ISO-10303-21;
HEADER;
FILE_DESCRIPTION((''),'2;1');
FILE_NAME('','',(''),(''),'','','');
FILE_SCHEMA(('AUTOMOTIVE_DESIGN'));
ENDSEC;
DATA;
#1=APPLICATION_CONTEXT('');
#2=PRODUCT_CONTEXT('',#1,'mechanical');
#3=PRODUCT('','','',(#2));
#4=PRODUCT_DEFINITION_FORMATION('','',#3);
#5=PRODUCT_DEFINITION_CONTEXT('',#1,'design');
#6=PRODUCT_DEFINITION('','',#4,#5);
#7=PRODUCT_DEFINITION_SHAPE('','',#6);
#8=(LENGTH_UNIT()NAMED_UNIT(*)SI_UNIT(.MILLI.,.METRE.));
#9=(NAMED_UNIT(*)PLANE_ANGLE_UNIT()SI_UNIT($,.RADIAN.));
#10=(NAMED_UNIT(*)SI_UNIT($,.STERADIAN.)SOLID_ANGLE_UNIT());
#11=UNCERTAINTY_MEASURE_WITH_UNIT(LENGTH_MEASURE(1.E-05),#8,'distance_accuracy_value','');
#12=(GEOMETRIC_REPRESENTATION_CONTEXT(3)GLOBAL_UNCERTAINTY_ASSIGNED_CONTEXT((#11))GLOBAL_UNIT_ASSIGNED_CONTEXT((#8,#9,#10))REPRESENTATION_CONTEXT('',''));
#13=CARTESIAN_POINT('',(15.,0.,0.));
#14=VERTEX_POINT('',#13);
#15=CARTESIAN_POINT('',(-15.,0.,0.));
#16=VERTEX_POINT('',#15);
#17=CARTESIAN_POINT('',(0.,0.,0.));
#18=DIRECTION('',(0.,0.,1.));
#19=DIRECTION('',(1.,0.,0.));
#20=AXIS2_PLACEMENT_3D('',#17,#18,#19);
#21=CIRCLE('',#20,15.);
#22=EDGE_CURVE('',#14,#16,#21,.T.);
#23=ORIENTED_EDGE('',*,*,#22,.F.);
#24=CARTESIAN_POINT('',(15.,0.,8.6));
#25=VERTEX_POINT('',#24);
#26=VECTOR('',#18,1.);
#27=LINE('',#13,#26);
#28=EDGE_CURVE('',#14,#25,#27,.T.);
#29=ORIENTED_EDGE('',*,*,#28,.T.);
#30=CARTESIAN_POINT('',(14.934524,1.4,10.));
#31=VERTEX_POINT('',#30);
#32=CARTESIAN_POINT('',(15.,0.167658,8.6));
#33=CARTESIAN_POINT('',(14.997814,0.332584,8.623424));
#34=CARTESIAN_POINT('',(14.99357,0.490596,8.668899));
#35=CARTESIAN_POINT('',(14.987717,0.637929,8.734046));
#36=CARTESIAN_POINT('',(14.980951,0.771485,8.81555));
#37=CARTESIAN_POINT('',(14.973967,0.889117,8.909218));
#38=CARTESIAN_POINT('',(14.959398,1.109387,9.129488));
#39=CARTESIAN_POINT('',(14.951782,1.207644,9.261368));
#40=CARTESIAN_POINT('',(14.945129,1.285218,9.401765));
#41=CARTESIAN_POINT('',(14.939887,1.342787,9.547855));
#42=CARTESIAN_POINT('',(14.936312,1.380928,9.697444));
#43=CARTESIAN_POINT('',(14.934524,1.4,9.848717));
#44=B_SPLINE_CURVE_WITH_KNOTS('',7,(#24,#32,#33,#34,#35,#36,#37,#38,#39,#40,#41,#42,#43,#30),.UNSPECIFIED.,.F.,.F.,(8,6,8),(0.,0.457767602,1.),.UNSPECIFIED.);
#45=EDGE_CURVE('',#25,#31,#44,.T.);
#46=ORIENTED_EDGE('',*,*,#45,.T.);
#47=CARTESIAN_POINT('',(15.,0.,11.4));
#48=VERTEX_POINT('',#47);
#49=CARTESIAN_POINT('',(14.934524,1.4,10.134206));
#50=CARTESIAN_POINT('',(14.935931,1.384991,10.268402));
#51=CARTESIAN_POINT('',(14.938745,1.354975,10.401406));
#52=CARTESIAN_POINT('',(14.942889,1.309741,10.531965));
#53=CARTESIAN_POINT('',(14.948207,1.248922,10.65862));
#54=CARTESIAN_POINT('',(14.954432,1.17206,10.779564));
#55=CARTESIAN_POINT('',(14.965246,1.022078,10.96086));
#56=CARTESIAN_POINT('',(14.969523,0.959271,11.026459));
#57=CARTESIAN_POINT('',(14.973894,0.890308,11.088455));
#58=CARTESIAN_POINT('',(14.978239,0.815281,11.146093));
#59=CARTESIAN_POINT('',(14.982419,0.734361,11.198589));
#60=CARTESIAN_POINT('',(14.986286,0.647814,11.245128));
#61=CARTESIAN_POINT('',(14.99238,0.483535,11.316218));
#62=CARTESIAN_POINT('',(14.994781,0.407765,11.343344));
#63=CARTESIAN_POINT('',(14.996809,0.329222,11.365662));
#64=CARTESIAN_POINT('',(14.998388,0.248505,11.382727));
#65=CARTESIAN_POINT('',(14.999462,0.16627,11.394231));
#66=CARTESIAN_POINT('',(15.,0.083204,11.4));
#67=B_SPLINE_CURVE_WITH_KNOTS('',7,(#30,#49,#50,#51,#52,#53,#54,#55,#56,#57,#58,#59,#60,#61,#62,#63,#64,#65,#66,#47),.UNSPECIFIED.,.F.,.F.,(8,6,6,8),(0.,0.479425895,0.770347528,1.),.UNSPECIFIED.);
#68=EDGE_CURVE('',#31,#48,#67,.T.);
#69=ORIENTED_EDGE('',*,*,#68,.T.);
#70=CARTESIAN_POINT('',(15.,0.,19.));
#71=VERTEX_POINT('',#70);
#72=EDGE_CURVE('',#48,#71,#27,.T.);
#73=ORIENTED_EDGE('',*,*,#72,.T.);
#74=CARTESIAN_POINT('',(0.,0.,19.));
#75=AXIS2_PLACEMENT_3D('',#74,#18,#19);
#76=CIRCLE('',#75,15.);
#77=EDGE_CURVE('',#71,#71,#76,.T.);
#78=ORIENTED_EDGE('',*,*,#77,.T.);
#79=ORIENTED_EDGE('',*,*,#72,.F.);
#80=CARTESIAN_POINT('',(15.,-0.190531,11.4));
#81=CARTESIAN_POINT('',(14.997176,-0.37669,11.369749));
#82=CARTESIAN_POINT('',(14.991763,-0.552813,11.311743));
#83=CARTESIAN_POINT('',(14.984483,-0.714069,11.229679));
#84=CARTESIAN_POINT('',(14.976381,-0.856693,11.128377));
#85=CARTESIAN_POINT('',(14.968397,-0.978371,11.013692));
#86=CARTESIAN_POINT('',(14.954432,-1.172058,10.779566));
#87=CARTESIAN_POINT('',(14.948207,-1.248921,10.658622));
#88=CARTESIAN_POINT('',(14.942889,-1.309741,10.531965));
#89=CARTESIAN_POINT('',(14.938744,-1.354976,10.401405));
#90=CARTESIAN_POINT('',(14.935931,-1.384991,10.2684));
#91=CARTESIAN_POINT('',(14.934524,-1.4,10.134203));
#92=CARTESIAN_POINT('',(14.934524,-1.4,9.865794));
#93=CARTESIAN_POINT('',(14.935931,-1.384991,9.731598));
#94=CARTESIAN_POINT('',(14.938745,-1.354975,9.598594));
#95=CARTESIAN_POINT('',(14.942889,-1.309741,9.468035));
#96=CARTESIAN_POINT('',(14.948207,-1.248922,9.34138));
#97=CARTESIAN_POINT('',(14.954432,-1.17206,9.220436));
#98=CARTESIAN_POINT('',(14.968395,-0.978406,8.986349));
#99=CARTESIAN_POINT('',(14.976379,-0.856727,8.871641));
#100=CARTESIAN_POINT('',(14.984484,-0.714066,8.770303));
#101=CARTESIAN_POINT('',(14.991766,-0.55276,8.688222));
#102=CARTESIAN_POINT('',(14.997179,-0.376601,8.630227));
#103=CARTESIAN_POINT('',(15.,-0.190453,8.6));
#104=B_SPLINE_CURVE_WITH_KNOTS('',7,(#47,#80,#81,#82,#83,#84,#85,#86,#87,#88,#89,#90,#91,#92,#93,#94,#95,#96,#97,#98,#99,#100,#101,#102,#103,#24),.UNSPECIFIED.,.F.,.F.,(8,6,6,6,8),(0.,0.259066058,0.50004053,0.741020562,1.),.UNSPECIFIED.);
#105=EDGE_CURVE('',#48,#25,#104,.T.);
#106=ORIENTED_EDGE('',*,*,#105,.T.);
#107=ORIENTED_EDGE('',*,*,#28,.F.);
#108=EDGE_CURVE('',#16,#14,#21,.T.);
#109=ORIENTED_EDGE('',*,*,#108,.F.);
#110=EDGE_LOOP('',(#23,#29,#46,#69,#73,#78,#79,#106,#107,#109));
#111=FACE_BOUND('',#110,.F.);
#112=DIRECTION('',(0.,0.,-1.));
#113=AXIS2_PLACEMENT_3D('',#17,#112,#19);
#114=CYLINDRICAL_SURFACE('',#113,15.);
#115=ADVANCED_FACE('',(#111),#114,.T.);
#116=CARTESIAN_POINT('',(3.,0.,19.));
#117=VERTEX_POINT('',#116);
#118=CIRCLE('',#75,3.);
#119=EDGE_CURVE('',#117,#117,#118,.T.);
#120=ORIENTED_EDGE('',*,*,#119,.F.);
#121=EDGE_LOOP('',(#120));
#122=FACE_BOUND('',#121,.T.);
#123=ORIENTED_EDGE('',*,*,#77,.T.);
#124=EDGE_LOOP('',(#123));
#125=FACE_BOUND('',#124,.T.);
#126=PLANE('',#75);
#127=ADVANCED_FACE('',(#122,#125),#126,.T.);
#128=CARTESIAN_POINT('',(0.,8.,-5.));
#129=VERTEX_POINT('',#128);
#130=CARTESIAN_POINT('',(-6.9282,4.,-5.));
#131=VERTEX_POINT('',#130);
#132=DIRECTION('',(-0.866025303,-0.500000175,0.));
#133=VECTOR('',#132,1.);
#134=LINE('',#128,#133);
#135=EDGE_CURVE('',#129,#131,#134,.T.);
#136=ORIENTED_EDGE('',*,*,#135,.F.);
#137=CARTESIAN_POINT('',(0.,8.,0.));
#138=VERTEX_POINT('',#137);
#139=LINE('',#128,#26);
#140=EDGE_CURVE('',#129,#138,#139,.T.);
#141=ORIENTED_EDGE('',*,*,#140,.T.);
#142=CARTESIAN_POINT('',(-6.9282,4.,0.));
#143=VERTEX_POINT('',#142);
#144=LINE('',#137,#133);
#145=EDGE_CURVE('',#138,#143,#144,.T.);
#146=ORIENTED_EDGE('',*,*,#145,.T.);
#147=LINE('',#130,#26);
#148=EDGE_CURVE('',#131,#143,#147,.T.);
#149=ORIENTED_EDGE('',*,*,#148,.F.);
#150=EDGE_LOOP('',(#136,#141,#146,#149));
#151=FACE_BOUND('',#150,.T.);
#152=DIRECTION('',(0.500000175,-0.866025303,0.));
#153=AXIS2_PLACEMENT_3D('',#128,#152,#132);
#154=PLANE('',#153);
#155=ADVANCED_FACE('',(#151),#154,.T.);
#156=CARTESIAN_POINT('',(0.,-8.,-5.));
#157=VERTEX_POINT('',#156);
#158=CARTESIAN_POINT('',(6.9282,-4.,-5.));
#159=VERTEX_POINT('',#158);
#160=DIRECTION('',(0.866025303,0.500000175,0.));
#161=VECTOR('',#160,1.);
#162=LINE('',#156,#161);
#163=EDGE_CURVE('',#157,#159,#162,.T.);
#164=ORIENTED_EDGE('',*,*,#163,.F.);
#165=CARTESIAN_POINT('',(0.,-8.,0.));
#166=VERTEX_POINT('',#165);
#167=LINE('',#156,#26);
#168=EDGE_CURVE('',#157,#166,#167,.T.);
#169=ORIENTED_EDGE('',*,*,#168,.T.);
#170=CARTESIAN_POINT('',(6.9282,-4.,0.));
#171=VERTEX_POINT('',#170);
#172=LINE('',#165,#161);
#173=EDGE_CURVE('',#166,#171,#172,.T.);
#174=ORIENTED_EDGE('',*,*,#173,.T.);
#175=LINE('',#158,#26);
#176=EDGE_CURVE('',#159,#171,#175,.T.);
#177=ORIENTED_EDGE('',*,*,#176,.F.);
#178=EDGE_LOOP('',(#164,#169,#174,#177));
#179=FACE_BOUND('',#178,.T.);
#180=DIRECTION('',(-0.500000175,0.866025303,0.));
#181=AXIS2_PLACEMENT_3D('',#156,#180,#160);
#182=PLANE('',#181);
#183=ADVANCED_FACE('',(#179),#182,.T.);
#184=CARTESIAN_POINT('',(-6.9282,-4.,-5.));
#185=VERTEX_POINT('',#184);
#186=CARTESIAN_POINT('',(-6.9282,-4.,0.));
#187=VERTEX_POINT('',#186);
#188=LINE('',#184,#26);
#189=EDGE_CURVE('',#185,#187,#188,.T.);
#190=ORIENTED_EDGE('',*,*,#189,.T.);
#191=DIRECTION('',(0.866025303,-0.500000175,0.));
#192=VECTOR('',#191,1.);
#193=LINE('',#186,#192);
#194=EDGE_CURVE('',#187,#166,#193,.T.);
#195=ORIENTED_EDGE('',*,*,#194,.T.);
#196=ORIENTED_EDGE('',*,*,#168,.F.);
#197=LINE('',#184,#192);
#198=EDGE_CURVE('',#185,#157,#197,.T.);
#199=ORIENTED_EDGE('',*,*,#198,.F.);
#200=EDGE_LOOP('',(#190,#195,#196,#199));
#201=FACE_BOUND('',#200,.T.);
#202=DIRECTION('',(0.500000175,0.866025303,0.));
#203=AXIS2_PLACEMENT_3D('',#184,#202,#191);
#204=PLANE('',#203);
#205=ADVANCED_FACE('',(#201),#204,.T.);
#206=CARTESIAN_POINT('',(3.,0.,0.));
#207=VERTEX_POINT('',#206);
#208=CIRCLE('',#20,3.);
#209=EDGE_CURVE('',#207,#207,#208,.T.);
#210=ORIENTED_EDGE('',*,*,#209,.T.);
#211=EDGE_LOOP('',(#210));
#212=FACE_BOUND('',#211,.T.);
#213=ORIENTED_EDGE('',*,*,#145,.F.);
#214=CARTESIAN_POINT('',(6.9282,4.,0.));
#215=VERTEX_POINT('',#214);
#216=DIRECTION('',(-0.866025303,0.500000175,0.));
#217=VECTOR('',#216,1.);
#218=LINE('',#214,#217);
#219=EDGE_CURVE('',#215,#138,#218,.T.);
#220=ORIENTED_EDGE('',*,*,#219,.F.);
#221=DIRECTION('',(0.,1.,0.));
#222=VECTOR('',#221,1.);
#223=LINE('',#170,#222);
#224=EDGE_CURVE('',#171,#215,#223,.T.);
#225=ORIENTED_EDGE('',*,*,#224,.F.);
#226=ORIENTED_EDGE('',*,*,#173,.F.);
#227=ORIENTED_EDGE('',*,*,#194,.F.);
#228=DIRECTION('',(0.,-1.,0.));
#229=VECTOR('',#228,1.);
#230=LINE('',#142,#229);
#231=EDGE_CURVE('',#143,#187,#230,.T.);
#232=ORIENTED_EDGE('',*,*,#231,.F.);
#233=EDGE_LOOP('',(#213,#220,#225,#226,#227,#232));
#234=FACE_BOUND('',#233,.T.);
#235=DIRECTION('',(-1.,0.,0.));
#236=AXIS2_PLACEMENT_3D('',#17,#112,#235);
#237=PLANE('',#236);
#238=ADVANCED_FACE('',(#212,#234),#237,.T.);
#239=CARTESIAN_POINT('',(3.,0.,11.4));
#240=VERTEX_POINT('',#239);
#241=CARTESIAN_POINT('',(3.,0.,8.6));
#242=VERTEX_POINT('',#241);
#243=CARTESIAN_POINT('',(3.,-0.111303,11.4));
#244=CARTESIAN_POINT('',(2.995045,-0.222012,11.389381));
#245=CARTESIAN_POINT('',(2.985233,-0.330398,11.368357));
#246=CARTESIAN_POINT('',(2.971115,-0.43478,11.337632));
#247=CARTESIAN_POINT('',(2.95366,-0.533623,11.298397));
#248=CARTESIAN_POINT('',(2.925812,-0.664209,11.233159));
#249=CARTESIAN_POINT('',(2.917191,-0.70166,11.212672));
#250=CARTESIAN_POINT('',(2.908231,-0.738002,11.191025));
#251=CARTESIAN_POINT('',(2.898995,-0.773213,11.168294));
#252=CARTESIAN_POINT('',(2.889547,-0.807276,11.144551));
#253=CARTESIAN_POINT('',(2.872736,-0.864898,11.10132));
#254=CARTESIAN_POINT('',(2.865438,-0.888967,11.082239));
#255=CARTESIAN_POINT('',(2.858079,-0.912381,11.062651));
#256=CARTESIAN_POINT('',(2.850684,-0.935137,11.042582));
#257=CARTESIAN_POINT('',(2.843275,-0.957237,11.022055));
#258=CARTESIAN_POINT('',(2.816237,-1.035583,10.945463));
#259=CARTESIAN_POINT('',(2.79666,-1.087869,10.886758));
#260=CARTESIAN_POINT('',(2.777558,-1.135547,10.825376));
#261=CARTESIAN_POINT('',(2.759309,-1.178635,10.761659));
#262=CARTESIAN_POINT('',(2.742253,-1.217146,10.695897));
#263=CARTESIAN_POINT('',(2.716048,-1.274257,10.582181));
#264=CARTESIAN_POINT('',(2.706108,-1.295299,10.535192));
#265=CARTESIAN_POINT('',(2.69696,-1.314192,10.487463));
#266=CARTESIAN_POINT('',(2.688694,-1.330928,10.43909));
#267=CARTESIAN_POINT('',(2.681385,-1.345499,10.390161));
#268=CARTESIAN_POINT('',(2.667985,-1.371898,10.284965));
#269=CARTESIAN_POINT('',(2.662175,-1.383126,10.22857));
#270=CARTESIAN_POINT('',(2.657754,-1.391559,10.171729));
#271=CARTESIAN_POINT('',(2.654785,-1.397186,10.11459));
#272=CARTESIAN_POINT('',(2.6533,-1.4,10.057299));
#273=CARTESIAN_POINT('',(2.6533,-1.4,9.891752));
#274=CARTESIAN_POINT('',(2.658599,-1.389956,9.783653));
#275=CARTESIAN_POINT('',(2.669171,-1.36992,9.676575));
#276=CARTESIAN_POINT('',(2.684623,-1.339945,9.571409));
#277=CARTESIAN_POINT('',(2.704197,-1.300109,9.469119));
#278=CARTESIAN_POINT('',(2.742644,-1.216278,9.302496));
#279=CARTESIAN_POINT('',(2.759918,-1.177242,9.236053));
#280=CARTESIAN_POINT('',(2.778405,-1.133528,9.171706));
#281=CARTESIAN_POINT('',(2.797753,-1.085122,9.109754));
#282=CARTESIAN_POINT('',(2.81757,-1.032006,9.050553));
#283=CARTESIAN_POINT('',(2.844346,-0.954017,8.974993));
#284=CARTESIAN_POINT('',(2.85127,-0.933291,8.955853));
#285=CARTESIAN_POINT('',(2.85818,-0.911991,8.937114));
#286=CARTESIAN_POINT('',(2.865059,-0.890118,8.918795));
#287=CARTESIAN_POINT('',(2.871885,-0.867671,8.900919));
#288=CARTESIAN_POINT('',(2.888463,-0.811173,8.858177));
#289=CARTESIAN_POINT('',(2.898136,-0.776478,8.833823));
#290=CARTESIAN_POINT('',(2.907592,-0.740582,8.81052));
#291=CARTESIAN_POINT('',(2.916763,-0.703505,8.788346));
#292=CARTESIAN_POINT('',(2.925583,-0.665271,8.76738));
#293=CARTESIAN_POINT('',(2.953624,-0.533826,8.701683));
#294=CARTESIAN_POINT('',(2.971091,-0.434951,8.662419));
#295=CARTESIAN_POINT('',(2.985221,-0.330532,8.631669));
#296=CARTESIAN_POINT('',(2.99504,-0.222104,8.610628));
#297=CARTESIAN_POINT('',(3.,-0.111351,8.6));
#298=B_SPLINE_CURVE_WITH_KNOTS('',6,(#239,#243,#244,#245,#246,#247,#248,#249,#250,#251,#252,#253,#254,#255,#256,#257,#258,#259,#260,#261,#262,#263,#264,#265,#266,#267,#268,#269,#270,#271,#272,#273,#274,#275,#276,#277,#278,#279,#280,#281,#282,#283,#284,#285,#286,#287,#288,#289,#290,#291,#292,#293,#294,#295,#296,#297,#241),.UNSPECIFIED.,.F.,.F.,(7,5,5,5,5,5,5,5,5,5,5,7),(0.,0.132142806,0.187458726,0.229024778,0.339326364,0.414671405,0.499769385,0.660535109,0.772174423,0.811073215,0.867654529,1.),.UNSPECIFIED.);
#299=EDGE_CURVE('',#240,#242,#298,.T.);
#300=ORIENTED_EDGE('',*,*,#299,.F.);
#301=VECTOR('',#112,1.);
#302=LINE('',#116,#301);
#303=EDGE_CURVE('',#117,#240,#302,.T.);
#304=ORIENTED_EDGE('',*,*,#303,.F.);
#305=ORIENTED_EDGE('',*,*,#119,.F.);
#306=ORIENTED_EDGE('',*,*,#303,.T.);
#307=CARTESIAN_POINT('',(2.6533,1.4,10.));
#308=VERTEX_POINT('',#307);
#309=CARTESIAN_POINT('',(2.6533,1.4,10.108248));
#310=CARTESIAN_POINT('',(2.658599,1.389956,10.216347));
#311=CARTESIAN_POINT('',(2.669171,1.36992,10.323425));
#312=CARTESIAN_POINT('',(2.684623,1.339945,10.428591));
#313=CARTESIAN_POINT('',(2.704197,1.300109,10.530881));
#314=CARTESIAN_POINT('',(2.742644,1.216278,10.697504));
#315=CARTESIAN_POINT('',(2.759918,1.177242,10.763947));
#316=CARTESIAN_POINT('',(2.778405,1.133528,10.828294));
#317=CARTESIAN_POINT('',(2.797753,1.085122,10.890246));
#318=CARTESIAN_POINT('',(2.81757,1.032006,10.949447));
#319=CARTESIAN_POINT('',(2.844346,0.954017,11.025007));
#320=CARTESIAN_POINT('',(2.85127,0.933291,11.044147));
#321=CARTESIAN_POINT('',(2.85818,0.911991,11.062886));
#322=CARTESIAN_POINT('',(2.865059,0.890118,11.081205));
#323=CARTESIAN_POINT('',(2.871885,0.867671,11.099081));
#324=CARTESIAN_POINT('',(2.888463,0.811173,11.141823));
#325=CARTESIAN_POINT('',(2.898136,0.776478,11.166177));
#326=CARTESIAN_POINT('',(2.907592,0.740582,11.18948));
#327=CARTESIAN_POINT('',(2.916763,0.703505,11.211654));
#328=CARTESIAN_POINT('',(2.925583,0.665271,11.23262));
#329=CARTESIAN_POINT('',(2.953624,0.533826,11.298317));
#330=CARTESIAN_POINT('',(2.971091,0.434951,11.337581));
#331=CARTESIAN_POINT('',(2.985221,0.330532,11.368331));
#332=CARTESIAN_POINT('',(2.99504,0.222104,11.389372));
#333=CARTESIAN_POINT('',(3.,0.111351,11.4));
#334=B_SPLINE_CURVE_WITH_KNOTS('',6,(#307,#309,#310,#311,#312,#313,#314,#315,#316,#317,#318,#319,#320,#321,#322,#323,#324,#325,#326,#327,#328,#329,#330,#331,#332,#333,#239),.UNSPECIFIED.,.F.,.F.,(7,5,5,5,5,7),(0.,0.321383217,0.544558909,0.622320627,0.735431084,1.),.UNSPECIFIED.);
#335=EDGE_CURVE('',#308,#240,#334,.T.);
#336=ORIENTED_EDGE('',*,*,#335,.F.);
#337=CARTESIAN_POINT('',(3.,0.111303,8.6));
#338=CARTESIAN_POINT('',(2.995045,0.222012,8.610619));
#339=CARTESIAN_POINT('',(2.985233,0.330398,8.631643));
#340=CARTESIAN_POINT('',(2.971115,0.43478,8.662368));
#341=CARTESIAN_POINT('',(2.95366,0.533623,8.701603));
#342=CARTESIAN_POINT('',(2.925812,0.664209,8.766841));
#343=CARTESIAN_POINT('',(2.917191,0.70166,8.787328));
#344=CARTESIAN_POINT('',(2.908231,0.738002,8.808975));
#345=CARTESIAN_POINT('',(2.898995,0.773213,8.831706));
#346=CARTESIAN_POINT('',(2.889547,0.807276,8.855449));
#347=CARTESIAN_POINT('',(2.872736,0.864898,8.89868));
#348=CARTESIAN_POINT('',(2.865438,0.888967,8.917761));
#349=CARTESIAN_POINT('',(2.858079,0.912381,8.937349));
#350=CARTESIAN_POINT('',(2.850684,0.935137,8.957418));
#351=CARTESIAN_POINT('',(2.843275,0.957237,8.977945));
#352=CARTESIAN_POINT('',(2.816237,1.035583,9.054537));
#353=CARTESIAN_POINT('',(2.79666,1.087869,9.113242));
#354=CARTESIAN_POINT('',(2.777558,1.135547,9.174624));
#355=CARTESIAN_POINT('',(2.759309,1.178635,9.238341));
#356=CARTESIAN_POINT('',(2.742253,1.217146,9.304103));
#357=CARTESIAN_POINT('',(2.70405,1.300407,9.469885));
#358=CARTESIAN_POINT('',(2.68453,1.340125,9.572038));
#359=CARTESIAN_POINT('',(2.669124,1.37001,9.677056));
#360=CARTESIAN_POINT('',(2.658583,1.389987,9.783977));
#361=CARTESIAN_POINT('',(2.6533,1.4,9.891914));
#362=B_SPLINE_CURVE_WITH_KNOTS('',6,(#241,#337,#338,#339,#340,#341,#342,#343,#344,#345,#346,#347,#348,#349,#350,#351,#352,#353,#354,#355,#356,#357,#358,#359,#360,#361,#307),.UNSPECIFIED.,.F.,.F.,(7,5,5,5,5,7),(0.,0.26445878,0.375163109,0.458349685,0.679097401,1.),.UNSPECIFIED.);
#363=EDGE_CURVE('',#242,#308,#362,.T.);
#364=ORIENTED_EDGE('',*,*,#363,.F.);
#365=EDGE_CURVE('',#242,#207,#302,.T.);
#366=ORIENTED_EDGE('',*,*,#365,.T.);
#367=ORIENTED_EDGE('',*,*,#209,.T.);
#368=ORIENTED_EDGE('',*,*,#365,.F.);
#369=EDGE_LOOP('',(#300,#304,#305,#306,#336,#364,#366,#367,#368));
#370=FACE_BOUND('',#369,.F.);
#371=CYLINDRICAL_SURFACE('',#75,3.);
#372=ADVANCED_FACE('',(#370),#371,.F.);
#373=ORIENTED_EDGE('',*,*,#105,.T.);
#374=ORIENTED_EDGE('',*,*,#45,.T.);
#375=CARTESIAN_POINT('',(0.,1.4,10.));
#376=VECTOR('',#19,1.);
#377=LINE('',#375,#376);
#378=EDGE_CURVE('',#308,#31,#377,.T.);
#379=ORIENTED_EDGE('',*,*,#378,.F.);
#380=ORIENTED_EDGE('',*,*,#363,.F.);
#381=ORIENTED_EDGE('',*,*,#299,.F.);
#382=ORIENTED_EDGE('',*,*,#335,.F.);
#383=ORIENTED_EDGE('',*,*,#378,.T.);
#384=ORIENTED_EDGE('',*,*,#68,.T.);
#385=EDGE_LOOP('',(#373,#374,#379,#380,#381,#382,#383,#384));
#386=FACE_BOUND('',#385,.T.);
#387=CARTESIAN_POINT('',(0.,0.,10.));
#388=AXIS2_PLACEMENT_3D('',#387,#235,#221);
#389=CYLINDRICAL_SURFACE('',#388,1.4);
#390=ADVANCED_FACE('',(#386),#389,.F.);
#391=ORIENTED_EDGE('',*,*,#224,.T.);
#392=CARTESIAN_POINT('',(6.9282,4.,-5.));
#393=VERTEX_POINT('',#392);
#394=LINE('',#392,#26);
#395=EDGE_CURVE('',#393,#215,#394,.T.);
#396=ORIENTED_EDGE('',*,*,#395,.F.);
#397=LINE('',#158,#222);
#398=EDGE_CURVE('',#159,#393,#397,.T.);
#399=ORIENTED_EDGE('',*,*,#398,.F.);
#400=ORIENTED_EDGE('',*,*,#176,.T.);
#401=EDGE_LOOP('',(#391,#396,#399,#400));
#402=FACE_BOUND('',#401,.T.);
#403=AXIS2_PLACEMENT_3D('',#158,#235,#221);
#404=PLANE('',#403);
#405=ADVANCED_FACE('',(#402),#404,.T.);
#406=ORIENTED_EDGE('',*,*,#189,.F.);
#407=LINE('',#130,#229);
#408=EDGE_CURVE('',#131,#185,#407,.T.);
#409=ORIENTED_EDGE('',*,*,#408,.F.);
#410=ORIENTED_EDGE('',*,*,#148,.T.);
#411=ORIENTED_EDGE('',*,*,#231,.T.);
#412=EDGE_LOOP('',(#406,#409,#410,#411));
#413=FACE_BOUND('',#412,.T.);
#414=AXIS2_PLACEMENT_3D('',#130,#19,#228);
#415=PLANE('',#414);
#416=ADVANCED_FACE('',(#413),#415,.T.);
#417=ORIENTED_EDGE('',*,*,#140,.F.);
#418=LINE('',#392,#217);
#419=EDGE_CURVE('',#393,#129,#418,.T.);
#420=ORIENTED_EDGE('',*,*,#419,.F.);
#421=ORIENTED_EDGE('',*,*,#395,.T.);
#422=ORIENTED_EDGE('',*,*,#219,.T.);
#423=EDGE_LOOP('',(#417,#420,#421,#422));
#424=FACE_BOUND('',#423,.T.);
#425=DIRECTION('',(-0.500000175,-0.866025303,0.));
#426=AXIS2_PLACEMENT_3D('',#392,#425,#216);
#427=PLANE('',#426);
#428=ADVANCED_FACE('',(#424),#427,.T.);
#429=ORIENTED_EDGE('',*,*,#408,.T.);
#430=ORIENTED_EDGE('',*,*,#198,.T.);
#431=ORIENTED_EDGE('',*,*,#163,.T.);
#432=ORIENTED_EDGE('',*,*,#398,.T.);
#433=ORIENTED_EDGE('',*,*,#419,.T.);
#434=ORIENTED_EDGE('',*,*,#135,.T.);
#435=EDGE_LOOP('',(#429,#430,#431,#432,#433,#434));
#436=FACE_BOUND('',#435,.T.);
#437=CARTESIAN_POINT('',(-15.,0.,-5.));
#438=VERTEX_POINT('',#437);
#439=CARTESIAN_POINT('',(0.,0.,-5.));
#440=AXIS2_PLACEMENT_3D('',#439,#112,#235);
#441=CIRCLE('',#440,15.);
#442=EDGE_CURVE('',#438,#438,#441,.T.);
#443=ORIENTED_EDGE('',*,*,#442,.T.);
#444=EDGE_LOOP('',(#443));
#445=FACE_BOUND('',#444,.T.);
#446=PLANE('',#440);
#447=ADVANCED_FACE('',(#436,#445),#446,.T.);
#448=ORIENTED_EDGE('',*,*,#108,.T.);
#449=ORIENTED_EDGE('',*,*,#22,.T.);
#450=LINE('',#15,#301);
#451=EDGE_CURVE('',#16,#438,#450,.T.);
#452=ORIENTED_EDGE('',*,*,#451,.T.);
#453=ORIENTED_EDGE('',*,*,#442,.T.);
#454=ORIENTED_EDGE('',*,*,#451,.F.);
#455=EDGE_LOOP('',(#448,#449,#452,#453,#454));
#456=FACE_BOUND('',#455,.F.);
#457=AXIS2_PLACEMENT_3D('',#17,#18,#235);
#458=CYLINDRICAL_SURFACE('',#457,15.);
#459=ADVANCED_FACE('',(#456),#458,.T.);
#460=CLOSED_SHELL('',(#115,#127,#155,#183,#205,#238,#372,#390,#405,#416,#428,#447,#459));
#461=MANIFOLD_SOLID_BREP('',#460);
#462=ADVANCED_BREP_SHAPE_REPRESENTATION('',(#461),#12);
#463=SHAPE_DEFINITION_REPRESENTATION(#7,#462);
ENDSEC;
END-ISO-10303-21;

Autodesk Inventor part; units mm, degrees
ref_plane "YZ Plane" through (0, 0, 0) normal (1, 0, 0) x (0, 1, 0)
ref_plane "XZ Plane" through (0, 0, 0) normal (0, 1, 0) x (-1, 0, 0)
ref_plane "XY Plane" through (0, 0, 0) normal (0, 0, 1) x (1, 0, 0)
sketch "Sketch1" plane through (0, 0, 0) normal (0, 0, 1) x (1, 0, 0)
  circle A0 centre (0, 0) radius 15
  dimension "d0" = 30
extrude "Extrusion1" add sketch "Sketch1" along normal blind 19
sketch "Sketch2" plane through (0, 0, 19) normal (0, 0, 1) x (1, 0, 0)
  circle A0 centre (0, 0) radius 3
  dimension "d3" = 6
extrude "Extrusion2" cut sketch "Sketch2" against normal blind 19
sketch "Sketch3" plane through (0, 0, 0) normal (0, 0, -1) x (-1, 0, 0)
  circle A0 centre (0, 0) radius 15 projected
extrude "Extrusion3" add sketch "Sketch3" along normal blind 5
sketch "Sketch6" plane through (0, 0, -5) normal (0, 0, -1) x (-1, 0, 0)
  line L0 (0, -8) -> (-6.9282, -4)
  line L1 (-6.9282, -4) -> (-6.9282, 4)
  line L2 (-6.9282, 4) -> (0, 8)
  line L3 (0, 8) -> (6.9282, 4)
  line L4 (6.9282, 4) -> (6.9282, -4)
  line L5 (6.9282, -4) -> (0, -8)
  point P0 (0, 0)
  point P1 (0, 0)
  dimension "d15" = 16
extrude "Extrusion6" cut sketch "Sketch6" against normal blind 5
sketch "Sketch7" plane through (0, 0, 0) normal (1, 0, 0) x (0, 1, 0)
  circle A0 centre (0, 10) radius 1.4
  point P0 (0, 0)
  dimension "d18" = 2.8
  dimension "d19" = 10
extrude "Extrusion7" cut sketch "Sketch7" along normal through all
properties part number "FA012" material "ABS Plastic"
